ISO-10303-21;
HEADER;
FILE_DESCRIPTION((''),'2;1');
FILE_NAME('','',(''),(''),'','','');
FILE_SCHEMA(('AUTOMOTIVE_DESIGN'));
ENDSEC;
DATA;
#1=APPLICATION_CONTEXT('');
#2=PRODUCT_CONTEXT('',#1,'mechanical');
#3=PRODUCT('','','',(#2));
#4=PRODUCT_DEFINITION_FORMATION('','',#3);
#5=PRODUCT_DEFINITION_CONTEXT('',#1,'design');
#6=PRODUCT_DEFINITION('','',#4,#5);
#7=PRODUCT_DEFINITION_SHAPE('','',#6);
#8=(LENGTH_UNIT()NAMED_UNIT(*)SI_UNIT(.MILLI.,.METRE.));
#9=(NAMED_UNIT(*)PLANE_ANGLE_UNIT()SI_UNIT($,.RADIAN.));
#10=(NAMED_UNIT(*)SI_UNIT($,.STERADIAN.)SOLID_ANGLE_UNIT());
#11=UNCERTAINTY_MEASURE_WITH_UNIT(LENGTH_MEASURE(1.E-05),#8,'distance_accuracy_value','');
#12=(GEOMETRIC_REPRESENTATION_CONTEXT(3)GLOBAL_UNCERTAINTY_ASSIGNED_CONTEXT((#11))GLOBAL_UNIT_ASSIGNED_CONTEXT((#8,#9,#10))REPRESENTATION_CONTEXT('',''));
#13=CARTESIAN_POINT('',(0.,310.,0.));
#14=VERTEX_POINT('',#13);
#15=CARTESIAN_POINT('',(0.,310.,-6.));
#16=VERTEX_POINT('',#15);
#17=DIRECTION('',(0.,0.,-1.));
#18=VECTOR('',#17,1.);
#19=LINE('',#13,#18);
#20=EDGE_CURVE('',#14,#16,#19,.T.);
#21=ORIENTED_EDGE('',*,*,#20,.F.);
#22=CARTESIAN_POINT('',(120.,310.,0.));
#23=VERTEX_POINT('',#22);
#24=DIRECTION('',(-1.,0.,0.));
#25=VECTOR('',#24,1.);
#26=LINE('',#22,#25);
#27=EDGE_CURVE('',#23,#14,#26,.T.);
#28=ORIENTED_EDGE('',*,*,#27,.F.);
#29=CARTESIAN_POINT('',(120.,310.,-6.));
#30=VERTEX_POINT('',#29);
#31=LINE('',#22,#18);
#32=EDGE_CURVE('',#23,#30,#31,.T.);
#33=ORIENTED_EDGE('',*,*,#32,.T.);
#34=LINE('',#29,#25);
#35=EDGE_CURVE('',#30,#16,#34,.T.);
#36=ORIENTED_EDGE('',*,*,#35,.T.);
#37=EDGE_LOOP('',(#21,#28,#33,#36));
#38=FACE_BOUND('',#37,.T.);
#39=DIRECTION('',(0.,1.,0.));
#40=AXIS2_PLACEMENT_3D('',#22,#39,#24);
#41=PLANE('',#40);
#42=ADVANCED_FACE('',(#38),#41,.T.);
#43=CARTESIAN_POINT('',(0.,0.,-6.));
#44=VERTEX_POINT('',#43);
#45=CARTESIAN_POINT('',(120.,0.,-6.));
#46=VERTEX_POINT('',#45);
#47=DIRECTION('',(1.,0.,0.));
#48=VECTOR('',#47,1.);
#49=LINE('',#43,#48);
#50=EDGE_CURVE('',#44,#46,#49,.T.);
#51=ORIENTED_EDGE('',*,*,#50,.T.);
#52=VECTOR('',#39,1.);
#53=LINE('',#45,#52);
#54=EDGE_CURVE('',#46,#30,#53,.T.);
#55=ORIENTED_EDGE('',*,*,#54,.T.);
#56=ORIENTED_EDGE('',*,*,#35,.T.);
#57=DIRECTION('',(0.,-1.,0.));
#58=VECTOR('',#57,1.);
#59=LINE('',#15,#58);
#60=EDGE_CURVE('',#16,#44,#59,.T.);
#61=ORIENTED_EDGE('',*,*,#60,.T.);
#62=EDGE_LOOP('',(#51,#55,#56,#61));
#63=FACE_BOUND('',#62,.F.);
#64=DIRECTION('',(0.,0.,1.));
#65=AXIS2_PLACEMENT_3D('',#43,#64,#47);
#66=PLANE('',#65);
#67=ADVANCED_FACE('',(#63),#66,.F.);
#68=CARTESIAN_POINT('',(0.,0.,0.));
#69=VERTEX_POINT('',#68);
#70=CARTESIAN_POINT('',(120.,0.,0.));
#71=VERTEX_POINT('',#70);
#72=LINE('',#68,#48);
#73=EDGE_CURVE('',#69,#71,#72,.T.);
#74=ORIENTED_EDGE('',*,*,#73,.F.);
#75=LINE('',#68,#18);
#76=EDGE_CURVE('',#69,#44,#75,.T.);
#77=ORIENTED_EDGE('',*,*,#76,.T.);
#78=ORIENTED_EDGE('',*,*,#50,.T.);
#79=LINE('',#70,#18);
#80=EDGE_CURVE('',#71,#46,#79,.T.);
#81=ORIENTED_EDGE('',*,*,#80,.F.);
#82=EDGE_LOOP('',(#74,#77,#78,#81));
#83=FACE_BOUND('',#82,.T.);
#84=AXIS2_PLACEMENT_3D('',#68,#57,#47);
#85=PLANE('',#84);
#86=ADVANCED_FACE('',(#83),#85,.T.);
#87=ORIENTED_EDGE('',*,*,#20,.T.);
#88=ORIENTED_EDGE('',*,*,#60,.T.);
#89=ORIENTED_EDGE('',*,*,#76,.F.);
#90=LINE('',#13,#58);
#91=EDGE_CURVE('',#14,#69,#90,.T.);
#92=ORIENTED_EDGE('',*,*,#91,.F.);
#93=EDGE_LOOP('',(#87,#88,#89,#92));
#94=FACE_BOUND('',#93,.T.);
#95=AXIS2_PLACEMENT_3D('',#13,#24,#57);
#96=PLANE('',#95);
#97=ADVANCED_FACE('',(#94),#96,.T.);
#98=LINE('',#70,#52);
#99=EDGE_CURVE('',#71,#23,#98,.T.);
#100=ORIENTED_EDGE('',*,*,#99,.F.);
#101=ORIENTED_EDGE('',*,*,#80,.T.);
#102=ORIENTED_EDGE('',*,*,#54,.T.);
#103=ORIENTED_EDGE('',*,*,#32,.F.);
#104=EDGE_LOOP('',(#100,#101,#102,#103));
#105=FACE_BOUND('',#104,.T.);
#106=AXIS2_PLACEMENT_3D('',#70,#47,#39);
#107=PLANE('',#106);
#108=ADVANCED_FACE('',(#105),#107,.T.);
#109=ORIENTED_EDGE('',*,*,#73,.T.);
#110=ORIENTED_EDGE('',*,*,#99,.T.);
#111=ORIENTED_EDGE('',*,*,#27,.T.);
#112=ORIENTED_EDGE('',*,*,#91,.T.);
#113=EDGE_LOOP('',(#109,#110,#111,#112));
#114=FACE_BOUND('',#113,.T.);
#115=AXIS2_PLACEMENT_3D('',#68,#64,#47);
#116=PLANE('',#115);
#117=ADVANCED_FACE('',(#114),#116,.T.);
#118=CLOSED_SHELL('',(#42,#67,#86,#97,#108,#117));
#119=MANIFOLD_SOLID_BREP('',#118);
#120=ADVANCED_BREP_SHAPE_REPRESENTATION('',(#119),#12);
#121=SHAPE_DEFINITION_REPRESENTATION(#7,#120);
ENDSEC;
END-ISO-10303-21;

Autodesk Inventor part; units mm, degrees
ref_plane "YZ Plane" through (0, 0, 0) normal (1, 0, 0) x (0, 1, 0)
ref_plane "XZ Plane" through (0, 0, 0) normal (0, 1, 0) x (-1, 0, 0)
ref_plane "XY Plane" through (0, 0, 0) normal (0, 0, 1) x (1, 0, 0)
sketch "Sketch1" plane through (0, 0, 0) normal (0, 0, 1) x (1, 0, 0)
  line L0 (0, 0) -> (120, 0)
  line L1 (120, 0) -> (120, 310)
  line L2 (120, 310) -> (0, 310)
  line L3 (0, 310) -> (0, 0)
  dimension "d0" = 120
  dimension "d1" = 310
extrude "Extrusion1" add sketch "Sketch1" against normal blind 6
properties part number "Wall2"
